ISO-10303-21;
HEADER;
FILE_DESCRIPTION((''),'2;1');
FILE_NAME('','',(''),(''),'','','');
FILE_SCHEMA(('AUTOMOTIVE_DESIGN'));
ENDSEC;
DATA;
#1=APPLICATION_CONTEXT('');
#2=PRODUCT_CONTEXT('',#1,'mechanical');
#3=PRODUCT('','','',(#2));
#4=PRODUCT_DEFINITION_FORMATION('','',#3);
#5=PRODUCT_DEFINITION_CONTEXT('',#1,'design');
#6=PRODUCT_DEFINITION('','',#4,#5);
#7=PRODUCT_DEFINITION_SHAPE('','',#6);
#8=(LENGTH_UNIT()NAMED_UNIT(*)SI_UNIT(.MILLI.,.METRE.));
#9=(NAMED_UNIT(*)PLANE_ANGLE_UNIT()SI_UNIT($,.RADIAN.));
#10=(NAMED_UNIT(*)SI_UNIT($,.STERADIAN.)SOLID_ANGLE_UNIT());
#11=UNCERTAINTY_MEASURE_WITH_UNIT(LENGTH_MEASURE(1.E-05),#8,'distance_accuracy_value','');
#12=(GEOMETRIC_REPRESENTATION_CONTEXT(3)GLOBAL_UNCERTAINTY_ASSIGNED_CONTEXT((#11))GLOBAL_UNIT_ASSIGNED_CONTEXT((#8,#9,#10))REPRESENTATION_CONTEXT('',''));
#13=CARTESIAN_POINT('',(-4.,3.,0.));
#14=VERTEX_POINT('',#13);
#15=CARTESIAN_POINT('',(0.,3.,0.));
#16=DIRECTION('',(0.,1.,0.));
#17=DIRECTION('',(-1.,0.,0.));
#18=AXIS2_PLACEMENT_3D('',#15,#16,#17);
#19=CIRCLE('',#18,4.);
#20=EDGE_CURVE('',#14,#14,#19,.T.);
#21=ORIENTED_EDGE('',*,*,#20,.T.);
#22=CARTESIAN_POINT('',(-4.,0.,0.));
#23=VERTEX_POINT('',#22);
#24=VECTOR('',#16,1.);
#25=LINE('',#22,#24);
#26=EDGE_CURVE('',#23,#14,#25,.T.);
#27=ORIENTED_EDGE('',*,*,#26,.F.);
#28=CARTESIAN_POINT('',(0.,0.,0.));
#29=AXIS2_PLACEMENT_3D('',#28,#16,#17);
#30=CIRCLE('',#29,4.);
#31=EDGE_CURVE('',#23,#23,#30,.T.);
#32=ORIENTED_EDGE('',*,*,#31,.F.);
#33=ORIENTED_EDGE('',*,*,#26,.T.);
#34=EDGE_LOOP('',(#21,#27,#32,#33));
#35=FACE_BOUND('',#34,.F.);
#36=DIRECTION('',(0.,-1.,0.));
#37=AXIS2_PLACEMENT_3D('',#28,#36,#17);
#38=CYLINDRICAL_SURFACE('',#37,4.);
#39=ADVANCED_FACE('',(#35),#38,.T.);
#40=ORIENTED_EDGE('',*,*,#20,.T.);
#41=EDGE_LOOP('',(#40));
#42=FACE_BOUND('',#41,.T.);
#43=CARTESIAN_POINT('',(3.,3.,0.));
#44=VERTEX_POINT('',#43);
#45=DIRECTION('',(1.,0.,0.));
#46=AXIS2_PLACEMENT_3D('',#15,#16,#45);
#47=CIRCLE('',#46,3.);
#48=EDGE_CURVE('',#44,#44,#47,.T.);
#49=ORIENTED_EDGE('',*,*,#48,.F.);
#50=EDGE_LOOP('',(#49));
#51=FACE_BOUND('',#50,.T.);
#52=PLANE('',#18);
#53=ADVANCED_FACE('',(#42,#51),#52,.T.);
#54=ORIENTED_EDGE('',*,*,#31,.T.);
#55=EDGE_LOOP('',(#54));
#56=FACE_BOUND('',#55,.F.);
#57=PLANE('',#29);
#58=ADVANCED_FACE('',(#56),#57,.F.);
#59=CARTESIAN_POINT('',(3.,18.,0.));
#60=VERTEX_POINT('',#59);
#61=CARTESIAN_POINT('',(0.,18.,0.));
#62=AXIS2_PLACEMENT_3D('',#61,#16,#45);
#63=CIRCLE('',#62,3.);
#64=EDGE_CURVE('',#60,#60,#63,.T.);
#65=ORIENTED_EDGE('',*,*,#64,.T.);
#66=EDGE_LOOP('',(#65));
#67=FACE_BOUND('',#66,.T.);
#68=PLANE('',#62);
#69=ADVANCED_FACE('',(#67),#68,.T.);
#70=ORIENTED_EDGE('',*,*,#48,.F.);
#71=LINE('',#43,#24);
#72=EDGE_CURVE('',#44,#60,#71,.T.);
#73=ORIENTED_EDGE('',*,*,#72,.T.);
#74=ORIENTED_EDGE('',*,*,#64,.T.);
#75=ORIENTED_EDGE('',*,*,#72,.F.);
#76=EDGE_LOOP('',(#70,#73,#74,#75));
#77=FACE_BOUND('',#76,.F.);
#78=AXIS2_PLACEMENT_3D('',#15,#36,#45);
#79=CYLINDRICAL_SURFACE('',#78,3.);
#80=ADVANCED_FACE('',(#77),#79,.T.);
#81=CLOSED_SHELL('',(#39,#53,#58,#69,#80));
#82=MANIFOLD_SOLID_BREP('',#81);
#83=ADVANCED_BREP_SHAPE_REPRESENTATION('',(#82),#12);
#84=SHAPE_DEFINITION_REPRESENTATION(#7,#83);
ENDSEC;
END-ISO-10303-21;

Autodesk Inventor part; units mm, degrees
ref_plane "YZ Plane" through (0, 0, 0) normal (1, 0, 0) x (0, 1, 0)
ref_plane "XZ Plane" through (0, 0, 0) normal (0, 1, 0) x (-1, 0, 0)
ref_plane "XY Plane" through (0, 0, 0) normal (0, 0, 1) x (1, 0, 0)
sketch "Sketch1" plane through (0, 0, 0) normal (0, 1, 0) x (-1, 0, 0)
  circle A0 centre (0, 0) radius 4
  dimension "d0" = 8
extrude "Extrusion1" add sketch "Sketch1" along normal blind 3
sketch "Sketch2" plane through (0, 3, 0) normal (0, 1, 0) x (1, 0, 0)
  circle A0 centre (0, 0) radius 3
  dimension "d3" = 6
extrude "Extrusion2" add sketch "Sketch2" along normal blind 15
properties part number "base pin" material "Steel, Mild"
